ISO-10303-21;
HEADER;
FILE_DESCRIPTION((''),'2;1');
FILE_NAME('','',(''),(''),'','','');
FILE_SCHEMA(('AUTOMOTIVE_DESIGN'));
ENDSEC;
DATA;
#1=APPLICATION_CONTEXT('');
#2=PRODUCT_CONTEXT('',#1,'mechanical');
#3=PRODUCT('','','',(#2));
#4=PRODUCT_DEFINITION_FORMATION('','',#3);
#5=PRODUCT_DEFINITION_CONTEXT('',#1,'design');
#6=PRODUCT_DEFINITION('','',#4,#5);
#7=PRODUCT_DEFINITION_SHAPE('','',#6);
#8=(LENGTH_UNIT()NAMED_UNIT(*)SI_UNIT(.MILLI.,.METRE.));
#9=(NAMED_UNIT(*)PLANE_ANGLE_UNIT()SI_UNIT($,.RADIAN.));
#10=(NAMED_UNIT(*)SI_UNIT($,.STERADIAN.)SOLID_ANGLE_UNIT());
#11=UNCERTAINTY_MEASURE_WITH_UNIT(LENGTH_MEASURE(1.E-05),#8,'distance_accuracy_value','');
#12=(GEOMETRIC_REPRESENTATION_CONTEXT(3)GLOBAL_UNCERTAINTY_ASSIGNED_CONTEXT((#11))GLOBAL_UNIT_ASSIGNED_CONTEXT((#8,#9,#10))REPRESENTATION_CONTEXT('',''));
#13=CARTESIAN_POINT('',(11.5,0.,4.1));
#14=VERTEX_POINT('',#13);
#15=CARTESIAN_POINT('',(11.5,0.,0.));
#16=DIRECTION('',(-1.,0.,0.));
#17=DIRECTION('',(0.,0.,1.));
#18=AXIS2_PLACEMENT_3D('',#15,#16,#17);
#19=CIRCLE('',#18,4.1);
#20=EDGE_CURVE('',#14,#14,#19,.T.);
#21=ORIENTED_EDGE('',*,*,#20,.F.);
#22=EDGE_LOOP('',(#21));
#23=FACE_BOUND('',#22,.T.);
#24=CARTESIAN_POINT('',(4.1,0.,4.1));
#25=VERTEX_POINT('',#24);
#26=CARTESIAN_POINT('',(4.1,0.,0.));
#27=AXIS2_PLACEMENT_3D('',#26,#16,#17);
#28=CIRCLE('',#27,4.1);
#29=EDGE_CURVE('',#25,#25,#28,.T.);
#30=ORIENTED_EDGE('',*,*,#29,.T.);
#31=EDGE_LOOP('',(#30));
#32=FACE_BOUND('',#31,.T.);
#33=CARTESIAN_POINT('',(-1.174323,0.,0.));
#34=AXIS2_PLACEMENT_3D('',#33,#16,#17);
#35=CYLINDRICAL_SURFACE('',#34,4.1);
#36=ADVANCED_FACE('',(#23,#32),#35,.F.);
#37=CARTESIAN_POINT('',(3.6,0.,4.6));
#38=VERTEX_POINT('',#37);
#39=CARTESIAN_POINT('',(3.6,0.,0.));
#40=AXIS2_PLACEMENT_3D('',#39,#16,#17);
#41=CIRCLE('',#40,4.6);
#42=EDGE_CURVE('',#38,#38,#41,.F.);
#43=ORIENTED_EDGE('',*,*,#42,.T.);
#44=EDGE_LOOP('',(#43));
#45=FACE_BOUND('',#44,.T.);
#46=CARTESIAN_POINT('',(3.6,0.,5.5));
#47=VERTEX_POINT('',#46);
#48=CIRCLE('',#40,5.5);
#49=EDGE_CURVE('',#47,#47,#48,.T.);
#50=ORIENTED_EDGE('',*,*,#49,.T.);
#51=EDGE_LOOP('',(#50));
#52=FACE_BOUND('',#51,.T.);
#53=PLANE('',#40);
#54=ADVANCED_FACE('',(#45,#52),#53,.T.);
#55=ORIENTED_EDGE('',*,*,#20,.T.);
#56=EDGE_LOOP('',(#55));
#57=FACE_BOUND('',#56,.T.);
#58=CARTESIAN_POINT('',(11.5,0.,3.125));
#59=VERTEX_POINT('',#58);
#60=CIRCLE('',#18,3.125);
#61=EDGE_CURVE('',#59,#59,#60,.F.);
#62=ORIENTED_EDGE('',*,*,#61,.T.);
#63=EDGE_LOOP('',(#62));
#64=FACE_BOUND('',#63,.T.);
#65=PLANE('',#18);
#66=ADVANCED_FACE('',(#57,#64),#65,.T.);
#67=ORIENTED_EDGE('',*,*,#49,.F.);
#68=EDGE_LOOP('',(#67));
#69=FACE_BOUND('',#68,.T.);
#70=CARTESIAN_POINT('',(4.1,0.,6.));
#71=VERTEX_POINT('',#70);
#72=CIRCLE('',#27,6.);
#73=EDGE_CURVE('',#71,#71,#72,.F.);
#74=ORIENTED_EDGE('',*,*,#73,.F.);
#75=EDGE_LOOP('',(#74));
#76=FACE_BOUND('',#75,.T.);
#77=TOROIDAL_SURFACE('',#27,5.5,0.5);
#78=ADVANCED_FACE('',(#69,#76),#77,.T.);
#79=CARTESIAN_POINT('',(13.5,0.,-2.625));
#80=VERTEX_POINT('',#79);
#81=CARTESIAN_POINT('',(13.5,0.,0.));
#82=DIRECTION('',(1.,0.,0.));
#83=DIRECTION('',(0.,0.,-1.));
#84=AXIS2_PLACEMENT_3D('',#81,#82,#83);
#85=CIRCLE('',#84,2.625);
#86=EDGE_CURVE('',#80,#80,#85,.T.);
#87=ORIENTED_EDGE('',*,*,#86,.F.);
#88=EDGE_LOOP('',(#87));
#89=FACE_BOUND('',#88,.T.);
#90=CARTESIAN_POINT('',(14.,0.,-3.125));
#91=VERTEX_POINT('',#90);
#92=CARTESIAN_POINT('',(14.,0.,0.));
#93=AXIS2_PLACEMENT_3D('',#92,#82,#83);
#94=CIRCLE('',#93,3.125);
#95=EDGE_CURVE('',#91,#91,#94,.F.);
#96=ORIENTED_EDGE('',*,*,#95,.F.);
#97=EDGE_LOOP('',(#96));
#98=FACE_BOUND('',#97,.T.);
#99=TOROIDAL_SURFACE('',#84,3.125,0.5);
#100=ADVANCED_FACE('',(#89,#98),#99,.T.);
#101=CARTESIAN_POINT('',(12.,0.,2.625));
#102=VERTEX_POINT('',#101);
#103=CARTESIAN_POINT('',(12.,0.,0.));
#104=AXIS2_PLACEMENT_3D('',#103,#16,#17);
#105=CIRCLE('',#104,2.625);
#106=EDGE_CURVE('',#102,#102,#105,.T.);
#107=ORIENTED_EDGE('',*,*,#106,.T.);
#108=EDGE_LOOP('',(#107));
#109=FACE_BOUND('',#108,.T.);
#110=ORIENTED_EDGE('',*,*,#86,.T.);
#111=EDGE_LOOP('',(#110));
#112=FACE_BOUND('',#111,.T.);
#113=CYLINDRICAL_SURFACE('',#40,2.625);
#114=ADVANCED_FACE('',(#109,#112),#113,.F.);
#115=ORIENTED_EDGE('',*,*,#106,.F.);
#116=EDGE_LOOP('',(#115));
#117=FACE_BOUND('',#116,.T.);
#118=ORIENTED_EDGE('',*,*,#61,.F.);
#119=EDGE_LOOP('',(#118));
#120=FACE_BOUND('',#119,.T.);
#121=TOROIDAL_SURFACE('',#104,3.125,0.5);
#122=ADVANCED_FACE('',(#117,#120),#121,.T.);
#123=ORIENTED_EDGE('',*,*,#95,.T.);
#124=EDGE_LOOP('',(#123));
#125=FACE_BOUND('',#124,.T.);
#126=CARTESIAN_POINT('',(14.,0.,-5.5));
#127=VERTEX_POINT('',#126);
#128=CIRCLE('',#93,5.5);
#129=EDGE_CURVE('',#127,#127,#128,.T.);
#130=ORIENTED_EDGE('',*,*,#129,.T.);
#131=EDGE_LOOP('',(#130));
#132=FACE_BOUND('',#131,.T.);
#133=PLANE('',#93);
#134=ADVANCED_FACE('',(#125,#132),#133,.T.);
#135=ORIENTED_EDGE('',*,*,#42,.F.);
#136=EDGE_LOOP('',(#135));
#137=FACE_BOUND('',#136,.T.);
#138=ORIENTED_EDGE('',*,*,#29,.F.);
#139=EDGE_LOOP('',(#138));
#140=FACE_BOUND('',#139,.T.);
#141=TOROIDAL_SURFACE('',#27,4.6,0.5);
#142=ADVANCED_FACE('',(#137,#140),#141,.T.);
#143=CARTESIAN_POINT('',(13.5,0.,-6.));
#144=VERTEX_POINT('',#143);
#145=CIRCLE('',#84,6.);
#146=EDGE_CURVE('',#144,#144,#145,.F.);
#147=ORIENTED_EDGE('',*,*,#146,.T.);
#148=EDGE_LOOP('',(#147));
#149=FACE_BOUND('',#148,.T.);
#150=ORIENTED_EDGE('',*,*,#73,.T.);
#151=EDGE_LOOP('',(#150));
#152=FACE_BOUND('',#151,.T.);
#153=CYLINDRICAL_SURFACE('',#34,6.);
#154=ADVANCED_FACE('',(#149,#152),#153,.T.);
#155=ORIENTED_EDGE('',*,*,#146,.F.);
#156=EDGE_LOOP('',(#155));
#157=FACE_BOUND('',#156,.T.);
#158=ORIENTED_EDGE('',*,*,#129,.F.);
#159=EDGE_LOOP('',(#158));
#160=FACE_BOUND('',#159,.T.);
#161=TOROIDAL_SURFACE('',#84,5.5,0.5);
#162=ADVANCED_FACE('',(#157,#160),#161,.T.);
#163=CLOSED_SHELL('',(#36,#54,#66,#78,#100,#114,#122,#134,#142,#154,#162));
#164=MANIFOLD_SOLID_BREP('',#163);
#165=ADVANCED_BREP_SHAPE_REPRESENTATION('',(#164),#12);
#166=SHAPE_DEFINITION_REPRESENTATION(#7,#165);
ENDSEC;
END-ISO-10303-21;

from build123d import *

# Parameters (mm, degrees)
CUT_EXTRUDE1_DEPTH      = 17.370705544
CUT_EXTRUDE1_DEPTH_BACK = 17.370705544
SKETCH2_R               = 2.625
FILLET1_R               = 0.5


with BuildPart() as part:
    # Sketch1 → Revolve1 (revolve)
    with BuildSketch(Plane.XY, mode=Mode.PRIVATE) as revolve1_sk:
        Polygon((11.5, 4.1), (3.6, 4.1), (3.6, 6), (14, 6), (14, 0), (11.5, 0), align=None)
    revolve(revolve1_sk.sketch.rotate(Axis((-1.174323487, 0, 0), (1, 0, 0)), 90), axis=Axis((-1.174323487, 0, 0), (1, 0, 0)))

    # Sketch2 → Cut-Extrude1 (cut, two sides: drawn at the far end of the back side and taken through both)
    with BuildSketch(Plane(origin=(0, 0, 0), x_dir=(0, 0, -1), z_dir=(1, 0, 0)).offset(-CUT_EXTRUDE1_DEPTH_BACK)):
        with Locations(Location((0, 0, 0), (0, 0, 180))):
            Circle(SKETCH2_R)
    extrude(amount=CUT_EXTRUDE1_DEPTH + CUT_EXTRUDE1_DEPTH_BACK, mode=Mode.SUBTRACT)

    # Fillet1
    fillet1_edges = [part.edges().sort_by_distance(p)[0] for p in [
        (11.5, 0, -2.625),
        (14, 0, -2.625),
        (3.6, 0, -4.1),
        (3.6, 0, -6),
        (14, 0, -6),
    ]]
    fillet(fillet1_edges, radius=FILLET1_R)


solid = part.part
